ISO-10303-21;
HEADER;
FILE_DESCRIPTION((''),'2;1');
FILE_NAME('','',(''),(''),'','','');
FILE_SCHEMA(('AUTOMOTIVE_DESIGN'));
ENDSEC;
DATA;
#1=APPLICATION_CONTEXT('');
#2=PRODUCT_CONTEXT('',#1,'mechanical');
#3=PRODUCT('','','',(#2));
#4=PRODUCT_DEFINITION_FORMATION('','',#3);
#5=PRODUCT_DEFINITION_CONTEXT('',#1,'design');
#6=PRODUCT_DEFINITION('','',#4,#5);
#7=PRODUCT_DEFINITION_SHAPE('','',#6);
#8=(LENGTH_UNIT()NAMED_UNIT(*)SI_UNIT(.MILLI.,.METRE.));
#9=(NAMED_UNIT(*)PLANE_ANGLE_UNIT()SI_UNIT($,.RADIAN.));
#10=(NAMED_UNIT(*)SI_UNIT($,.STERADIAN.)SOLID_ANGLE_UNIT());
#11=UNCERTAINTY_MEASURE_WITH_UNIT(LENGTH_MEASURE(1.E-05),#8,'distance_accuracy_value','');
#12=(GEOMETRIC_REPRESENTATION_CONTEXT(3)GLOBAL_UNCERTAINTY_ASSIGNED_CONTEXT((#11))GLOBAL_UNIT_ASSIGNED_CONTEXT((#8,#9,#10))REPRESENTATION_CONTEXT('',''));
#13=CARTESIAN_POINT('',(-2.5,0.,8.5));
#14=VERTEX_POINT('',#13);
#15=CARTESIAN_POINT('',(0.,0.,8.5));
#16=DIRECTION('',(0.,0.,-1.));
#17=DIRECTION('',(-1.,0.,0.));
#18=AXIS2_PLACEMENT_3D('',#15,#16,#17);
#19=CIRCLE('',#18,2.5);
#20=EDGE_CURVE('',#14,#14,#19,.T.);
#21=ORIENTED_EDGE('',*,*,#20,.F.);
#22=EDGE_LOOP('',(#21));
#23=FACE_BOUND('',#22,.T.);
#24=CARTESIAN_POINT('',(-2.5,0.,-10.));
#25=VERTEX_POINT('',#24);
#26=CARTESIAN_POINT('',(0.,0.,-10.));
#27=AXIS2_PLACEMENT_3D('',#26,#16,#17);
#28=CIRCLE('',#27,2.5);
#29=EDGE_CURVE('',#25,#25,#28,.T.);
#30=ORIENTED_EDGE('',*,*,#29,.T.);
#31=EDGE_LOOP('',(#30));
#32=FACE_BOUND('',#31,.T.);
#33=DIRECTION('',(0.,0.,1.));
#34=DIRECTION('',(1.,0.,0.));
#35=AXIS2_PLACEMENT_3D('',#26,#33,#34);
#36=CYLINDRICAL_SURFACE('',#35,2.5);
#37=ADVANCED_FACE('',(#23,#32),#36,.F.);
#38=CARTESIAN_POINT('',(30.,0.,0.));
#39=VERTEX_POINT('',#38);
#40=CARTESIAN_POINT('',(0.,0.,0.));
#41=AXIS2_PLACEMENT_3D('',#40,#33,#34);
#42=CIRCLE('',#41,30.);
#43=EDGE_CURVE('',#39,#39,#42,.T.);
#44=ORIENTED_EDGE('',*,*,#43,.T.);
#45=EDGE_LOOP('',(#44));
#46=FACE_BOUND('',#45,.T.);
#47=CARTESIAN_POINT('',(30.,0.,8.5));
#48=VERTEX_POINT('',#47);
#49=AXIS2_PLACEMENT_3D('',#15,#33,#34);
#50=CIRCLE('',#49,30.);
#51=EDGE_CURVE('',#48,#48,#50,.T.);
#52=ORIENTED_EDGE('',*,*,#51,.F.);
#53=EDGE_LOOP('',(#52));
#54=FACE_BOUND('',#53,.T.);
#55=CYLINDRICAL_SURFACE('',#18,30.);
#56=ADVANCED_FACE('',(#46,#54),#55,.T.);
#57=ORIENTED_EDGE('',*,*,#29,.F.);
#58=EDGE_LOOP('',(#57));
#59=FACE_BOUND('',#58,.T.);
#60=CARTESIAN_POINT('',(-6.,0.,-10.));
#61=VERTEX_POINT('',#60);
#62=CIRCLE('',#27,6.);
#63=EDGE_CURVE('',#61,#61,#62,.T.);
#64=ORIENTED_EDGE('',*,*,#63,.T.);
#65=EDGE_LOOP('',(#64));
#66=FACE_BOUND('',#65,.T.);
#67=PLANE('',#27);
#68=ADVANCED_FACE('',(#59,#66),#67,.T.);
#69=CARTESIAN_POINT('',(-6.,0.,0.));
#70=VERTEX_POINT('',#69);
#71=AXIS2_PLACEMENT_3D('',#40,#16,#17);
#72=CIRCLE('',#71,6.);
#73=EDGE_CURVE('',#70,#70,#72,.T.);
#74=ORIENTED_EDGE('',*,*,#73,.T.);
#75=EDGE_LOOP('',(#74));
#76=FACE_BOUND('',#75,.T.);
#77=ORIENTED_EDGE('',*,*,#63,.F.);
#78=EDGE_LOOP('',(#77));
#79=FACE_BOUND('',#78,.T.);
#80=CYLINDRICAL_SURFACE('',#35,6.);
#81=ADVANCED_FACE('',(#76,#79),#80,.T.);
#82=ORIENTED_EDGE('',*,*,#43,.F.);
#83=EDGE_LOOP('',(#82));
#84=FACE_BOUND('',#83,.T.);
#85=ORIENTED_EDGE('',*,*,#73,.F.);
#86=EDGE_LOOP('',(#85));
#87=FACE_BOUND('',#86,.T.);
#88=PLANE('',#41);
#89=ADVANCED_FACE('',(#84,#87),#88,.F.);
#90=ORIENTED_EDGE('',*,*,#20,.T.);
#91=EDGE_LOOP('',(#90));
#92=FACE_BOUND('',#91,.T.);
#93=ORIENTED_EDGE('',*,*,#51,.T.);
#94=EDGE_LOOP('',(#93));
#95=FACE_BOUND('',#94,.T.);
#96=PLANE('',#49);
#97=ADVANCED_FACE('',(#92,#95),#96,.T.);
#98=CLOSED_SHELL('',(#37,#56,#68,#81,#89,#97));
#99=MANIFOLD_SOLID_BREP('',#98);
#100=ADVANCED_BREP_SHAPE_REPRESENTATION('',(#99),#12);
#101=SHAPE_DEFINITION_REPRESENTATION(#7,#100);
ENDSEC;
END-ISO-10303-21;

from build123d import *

# Parameters (mm, degrees)
SKETCH1_R           = 30
BOSS_EXTRUDE1_DEPTH = 8.5
SKETCH2_R           = 6
SKETCH2_R_2         = 2.5
BOSS_EXTRUDE2_DEPTH = 10
SKETCH3_R           = 2.5
CUT_EXTRUDE1_DEPTH  = 19.5


with BuildPart() as part:
    # Sketch1 → Boss-Extrude1 (new body)
    with BuildSketch(Plane.XY):
        Circle(SKETCH1_R)
    extrude(amount=BOSS_EXTRUDE1_DEPTH)

    # Sketch2 → Boss-Extrude2 (add)
    with BuildSketch(Plane(origin=(0, 0, 0), x_dir=(-1, 0, 0), z_dir=(0, 0, -1))):
        Circle(SKETCH2_R)
        Circle(SKETCH2_R_2, mode=Mode.SUBTRACT)
    extrude(amount=BOSS_EXTRUDE2_DEPTH)

    # Sketch3 → Cut-Extrude1 (cut, through all)
    with BuildSketch(Plane(origin=(0, 0, -10), x_dir=(-1, 0, 0), z_dir=(0, 0, -1))):
        Circle(SKETCH3_R)
    extrude(amount=-CUT_EXTRUDE1_DEPTH, mode=Mode.SUBTRACT)


solid = part.part
